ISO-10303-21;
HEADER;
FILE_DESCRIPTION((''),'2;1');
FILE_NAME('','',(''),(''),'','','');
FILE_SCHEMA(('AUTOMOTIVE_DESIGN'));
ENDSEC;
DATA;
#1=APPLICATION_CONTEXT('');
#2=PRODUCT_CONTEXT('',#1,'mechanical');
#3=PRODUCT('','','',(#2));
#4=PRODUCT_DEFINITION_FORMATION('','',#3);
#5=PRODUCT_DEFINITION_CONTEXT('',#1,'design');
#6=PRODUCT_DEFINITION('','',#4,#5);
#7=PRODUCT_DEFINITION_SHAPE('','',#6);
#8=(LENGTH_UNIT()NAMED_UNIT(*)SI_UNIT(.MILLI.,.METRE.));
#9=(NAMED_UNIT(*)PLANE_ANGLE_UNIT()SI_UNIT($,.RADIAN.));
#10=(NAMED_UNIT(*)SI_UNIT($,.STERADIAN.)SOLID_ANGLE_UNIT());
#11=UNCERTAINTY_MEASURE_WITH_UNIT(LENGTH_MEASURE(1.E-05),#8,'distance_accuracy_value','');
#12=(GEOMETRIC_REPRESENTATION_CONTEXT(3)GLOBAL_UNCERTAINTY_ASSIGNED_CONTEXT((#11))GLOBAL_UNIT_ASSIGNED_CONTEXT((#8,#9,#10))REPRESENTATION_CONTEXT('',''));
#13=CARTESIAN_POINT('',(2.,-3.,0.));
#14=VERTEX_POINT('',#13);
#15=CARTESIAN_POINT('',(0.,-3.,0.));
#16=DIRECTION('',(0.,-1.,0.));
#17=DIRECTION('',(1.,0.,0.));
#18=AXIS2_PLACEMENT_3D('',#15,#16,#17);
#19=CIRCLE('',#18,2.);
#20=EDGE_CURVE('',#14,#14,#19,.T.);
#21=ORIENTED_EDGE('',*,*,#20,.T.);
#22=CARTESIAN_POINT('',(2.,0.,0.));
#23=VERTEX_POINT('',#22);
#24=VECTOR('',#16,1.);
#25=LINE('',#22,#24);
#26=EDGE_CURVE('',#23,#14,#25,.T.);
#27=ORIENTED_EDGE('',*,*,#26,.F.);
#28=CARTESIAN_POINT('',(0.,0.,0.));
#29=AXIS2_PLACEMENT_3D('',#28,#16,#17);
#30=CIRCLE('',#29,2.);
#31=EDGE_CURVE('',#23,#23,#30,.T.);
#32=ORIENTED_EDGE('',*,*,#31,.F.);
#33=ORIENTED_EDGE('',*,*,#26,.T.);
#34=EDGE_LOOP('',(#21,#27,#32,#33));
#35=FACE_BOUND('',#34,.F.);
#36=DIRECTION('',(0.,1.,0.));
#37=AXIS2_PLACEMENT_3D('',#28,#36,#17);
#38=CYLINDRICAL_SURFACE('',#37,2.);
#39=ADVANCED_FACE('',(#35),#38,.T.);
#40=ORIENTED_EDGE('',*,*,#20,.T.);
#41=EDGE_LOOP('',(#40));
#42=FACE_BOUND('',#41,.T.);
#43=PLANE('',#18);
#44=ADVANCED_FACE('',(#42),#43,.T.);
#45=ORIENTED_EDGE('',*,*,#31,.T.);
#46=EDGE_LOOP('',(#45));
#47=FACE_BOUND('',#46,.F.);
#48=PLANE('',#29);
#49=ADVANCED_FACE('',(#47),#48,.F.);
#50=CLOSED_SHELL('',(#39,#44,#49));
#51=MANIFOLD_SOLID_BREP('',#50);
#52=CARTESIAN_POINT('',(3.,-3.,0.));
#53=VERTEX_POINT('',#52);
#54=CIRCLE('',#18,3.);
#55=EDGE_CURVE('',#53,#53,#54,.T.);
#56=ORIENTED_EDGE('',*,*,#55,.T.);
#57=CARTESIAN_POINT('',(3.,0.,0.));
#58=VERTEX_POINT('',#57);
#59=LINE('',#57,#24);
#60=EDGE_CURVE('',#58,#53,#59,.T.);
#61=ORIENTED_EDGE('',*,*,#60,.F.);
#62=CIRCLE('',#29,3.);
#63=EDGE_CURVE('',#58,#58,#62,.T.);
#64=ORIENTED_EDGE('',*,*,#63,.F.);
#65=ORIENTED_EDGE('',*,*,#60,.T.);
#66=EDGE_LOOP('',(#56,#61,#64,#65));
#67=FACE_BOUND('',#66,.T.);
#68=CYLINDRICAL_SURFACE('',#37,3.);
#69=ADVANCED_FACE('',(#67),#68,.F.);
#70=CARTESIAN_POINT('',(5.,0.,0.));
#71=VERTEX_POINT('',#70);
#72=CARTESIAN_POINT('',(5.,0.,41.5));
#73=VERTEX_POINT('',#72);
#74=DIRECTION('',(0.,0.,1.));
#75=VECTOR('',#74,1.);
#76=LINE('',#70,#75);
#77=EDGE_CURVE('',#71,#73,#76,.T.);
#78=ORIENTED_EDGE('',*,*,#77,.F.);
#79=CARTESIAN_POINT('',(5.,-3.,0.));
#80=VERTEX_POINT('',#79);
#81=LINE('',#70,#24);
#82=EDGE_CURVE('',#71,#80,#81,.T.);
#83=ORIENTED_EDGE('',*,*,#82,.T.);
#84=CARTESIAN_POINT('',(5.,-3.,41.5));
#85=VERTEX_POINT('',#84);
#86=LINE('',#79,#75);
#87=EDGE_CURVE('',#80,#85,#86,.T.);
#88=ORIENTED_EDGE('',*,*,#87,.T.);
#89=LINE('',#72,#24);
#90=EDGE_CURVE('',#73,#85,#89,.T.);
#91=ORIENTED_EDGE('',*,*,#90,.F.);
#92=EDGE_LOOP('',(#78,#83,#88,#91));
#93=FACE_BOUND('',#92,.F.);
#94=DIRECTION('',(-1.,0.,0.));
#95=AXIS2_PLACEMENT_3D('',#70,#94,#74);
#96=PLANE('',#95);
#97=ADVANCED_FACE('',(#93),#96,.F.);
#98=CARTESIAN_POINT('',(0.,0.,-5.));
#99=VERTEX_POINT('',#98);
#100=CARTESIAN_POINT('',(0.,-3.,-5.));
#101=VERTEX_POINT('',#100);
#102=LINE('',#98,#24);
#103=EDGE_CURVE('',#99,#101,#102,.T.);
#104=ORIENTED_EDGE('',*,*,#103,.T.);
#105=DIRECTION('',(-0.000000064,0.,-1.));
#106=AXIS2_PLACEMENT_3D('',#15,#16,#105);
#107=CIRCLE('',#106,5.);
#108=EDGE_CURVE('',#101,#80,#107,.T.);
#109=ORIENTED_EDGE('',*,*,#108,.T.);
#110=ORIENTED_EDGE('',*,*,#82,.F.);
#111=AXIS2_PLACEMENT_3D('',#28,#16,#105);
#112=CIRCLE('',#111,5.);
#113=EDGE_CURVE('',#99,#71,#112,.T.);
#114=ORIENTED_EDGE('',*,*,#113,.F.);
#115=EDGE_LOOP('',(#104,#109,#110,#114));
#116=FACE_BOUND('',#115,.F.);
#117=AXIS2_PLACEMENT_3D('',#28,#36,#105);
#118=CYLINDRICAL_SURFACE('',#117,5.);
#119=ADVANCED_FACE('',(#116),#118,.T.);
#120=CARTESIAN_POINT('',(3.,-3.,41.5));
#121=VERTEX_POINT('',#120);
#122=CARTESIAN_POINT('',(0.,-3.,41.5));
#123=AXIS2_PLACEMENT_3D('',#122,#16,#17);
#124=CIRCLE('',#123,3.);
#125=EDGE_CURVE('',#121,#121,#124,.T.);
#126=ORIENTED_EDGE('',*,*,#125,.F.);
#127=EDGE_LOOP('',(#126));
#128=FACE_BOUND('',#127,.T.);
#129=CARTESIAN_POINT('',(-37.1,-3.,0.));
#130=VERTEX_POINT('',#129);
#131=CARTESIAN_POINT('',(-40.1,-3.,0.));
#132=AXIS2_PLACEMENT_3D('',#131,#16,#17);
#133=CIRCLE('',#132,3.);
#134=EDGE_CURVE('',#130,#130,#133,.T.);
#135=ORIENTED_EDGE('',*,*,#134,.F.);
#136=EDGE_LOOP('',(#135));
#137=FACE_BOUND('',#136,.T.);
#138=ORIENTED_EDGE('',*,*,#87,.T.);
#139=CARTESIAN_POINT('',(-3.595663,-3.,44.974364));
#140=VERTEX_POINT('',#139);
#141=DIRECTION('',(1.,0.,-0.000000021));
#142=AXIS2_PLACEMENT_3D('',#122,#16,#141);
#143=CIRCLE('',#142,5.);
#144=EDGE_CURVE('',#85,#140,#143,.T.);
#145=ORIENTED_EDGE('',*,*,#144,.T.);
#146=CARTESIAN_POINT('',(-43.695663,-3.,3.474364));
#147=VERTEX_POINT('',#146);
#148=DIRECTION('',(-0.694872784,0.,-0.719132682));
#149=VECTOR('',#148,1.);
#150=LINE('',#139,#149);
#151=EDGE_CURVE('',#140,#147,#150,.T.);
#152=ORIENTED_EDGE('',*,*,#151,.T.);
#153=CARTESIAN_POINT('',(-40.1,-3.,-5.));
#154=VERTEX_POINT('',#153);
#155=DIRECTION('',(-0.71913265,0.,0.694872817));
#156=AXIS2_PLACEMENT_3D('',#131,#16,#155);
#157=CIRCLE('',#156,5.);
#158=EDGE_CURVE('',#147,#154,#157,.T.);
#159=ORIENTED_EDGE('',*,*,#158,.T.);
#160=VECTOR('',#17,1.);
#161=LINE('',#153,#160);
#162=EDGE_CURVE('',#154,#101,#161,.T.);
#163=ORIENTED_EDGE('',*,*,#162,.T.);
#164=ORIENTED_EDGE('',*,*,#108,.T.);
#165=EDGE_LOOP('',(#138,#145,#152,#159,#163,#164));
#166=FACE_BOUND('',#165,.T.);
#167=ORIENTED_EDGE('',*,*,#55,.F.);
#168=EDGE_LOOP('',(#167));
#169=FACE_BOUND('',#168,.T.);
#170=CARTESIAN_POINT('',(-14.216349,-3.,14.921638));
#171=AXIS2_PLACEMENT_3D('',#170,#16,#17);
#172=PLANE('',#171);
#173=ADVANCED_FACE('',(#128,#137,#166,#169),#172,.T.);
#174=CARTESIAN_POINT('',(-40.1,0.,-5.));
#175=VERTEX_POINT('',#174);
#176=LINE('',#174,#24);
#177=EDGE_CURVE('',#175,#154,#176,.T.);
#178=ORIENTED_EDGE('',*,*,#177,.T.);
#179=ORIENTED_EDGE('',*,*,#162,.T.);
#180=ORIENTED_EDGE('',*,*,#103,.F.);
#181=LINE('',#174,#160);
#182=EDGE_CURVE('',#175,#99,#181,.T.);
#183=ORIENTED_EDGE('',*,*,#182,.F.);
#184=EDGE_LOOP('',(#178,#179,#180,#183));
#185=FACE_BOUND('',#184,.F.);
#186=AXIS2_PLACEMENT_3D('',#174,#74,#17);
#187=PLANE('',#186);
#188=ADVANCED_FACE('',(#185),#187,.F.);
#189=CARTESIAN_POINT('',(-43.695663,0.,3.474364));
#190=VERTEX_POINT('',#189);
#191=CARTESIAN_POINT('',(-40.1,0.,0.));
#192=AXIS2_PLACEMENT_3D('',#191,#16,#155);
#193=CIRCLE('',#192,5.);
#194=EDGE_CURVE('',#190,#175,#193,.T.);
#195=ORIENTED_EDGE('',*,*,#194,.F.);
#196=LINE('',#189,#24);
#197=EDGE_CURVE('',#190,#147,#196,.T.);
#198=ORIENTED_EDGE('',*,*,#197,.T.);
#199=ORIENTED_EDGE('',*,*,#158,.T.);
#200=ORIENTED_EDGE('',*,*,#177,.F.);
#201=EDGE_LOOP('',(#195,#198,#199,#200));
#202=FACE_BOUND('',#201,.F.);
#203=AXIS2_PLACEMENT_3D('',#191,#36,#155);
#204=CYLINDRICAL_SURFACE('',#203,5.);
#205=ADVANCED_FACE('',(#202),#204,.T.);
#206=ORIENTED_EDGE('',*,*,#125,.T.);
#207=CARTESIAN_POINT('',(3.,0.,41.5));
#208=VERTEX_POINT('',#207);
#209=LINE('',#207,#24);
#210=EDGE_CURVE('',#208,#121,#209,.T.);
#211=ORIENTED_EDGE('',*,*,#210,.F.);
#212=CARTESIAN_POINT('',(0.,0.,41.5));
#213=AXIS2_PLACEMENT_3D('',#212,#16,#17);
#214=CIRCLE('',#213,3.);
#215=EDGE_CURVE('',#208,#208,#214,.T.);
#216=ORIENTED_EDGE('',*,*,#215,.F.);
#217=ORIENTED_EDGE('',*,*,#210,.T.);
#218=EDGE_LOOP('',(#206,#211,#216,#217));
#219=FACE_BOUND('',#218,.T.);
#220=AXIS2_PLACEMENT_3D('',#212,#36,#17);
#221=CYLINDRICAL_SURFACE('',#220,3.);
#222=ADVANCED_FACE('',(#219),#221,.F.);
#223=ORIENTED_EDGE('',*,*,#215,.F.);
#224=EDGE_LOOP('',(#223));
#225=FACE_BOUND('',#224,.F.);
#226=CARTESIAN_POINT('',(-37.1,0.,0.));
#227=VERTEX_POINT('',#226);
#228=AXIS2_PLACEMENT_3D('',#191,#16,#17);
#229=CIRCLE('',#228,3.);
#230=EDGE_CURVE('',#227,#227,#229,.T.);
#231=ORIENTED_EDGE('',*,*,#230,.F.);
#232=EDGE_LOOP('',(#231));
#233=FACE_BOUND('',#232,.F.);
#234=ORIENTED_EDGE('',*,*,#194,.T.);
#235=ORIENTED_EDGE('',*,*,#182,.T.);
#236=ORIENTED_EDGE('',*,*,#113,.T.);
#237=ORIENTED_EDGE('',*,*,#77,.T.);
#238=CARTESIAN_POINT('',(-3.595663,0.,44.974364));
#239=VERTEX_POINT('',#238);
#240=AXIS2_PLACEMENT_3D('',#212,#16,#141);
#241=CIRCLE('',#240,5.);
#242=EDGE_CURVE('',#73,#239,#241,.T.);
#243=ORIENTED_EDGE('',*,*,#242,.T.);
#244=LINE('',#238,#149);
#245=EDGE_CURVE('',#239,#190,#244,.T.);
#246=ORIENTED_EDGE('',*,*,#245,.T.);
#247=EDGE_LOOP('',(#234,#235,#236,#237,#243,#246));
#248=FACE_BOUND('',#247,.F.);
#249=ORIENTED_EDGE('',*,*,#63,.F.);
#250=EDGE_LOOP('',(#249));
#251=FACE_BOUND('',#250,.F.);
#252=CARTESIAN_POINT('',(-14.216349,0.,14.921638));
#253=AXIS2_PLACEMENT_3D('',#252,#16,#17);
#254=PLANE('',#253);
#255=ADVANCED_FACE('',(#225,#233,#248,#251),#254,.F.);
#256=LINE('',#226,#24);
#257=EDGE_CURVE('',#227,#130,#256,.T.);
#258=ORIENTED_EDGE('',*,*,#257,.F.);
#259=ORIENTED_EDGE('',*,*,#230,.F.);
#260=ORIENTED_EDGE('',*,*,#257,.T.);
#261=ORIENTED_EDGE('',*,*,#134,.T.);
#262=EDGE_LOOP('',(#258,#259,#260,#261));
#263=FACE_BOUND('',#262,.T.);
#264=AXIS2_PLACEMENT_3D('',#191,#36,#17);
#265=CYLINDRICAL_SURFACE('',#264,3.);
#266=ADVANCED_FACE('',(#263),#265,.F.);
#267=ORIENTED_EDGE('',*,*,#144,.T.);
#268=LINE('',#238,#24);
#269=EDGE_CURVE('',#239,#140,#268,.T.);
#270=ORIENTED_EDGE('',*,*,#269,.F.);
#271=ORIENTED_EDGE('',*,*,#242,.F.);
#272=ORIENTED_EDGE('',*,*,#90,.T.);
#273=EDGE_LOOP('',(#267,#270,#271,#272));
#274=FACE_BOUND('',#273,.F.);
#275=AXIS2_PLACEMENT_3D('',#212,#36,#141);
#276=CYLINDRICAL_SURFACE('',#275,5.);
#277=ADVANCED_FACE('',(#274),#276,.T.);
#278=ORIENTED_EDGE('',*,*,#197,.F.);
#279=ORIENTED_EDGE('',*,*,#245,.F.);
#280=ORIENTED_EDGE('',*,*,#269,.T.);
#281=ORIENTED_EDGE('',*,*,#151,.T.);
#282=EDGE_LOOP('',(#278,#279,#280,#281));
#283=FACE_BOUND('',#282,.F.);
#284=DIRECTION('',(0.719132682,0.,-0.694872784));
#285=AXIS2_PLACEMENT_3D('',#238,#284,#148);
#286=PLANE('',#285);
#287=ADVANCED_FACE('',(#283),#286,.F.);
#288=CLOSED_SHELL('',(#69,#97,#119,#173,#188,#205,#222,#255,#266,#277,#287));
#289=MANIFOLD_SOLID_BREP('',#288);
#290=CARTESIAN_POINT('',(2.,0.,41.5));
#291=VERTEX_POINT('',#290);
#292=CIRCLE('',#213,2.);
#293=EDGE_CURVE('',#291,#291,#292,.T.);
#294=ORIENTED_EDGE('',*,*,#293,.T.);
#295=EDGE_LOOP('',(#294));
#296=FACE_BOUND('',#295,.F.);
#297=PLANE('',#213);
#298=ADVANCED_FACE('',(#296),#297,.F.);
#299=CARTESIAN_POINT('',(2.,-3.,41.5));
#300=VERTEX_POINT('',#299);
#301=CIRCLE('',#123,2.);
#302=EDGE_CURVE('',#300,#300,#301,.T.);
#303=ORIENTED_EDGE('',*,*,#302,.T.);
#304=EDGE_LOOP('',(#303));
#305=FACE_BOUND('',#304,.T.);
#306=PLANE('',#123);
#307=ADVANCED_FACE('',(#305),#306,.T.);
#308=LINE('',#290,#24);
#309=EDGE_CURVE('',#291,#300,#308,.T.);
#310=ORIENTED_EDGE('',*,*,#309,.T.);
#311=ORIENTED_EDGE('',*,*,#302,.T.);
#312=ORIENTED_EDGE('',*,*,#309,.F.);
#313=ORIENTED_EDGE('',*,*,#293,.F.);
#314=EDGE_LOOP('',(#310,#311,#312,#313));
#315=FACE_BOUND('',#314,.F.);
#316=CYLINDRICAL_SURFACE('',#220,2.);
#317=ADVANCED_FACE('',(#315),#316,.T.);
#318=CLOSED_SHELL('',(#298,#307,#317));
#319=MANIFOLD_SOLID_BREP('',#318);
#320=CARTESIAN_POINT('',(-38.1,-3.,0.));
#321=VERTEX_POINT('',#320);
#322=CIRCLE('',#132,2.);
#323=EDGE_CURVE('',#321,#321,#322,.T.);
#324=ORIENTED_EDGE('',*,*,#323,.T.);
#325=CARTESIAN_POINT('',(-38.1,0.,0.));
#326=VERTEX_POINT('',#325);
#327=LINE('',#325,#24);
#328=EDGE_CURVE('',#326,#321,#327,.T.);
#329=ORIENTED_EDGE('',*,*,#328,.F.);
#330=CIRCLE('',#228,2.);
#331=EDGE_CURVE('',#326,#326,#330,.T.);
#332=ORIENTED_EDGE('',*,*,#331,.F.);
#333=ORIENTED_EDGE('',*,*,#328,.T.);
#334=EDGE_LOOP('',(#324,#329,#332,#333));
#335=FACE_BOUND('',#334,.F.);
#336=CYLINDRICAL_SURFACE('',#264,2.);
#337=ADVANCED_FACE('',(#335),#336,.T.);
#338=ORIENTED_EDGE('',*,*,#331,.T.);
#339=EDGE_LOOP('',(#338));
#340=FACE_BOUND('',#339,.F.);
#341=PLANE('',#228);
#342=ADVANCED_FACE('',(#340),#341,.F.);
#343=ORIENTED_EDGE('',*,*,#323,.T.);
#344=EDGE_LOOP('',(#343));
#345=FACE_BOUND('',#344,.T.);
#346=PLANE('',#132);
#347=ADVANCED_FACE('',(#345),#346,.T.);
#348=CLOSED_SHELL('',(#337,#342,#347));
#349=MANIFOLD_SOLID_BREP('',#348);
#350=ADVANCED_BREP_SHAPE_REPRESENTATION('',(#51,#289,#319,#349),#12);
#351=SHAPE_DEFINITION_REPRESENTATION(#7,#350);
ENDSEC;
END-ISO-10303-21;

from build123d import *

# Parameters (mm, degrees)
F0_R     = 3
F0_R_2   = 2
F1_DEPTH = 3


with BuildPart() as f1:
    # F0 (on Front) → F1 (new body)
    with BuildSketch(Plane.XZ):
        with BuildLine():
            Line((-3.595663, 44.974364), (-43.695663, 3.474364))
            ThreePointArc((-43.695663, 3.474364), (-44.702815, -1.95297), (-40.1, -5))
            Line((-40.1, -5), (0, -5))
            ThreePointArc((0, -5), (3.535534, -3.535534), (5, 0))
            Line((5, 0), (5, 41.5))
            ThreePointArc((5, 41.5), (1.873724, 46.13564), (-3.595663, 44.974364))
        make_face()
        with Locations((-40.1, 0)):
            Circle(F0_R, mode=Mode.SUBTRACT)
        Circle(F0_R, mode=Mode.SUBTRACT)
        with Locations((0, 41.5)):
            Circle(F0_R, mode=Mode.SUBTRACT)
        with Locations((-40.1, 0)):
            Circle(F0_R_2)
        Circle(F0_R_2)
        with Locations((0, 41.5)):
            Circle(F0_R_2)
    extrude(amount=F1_DEPTH)


solid = f1.part
